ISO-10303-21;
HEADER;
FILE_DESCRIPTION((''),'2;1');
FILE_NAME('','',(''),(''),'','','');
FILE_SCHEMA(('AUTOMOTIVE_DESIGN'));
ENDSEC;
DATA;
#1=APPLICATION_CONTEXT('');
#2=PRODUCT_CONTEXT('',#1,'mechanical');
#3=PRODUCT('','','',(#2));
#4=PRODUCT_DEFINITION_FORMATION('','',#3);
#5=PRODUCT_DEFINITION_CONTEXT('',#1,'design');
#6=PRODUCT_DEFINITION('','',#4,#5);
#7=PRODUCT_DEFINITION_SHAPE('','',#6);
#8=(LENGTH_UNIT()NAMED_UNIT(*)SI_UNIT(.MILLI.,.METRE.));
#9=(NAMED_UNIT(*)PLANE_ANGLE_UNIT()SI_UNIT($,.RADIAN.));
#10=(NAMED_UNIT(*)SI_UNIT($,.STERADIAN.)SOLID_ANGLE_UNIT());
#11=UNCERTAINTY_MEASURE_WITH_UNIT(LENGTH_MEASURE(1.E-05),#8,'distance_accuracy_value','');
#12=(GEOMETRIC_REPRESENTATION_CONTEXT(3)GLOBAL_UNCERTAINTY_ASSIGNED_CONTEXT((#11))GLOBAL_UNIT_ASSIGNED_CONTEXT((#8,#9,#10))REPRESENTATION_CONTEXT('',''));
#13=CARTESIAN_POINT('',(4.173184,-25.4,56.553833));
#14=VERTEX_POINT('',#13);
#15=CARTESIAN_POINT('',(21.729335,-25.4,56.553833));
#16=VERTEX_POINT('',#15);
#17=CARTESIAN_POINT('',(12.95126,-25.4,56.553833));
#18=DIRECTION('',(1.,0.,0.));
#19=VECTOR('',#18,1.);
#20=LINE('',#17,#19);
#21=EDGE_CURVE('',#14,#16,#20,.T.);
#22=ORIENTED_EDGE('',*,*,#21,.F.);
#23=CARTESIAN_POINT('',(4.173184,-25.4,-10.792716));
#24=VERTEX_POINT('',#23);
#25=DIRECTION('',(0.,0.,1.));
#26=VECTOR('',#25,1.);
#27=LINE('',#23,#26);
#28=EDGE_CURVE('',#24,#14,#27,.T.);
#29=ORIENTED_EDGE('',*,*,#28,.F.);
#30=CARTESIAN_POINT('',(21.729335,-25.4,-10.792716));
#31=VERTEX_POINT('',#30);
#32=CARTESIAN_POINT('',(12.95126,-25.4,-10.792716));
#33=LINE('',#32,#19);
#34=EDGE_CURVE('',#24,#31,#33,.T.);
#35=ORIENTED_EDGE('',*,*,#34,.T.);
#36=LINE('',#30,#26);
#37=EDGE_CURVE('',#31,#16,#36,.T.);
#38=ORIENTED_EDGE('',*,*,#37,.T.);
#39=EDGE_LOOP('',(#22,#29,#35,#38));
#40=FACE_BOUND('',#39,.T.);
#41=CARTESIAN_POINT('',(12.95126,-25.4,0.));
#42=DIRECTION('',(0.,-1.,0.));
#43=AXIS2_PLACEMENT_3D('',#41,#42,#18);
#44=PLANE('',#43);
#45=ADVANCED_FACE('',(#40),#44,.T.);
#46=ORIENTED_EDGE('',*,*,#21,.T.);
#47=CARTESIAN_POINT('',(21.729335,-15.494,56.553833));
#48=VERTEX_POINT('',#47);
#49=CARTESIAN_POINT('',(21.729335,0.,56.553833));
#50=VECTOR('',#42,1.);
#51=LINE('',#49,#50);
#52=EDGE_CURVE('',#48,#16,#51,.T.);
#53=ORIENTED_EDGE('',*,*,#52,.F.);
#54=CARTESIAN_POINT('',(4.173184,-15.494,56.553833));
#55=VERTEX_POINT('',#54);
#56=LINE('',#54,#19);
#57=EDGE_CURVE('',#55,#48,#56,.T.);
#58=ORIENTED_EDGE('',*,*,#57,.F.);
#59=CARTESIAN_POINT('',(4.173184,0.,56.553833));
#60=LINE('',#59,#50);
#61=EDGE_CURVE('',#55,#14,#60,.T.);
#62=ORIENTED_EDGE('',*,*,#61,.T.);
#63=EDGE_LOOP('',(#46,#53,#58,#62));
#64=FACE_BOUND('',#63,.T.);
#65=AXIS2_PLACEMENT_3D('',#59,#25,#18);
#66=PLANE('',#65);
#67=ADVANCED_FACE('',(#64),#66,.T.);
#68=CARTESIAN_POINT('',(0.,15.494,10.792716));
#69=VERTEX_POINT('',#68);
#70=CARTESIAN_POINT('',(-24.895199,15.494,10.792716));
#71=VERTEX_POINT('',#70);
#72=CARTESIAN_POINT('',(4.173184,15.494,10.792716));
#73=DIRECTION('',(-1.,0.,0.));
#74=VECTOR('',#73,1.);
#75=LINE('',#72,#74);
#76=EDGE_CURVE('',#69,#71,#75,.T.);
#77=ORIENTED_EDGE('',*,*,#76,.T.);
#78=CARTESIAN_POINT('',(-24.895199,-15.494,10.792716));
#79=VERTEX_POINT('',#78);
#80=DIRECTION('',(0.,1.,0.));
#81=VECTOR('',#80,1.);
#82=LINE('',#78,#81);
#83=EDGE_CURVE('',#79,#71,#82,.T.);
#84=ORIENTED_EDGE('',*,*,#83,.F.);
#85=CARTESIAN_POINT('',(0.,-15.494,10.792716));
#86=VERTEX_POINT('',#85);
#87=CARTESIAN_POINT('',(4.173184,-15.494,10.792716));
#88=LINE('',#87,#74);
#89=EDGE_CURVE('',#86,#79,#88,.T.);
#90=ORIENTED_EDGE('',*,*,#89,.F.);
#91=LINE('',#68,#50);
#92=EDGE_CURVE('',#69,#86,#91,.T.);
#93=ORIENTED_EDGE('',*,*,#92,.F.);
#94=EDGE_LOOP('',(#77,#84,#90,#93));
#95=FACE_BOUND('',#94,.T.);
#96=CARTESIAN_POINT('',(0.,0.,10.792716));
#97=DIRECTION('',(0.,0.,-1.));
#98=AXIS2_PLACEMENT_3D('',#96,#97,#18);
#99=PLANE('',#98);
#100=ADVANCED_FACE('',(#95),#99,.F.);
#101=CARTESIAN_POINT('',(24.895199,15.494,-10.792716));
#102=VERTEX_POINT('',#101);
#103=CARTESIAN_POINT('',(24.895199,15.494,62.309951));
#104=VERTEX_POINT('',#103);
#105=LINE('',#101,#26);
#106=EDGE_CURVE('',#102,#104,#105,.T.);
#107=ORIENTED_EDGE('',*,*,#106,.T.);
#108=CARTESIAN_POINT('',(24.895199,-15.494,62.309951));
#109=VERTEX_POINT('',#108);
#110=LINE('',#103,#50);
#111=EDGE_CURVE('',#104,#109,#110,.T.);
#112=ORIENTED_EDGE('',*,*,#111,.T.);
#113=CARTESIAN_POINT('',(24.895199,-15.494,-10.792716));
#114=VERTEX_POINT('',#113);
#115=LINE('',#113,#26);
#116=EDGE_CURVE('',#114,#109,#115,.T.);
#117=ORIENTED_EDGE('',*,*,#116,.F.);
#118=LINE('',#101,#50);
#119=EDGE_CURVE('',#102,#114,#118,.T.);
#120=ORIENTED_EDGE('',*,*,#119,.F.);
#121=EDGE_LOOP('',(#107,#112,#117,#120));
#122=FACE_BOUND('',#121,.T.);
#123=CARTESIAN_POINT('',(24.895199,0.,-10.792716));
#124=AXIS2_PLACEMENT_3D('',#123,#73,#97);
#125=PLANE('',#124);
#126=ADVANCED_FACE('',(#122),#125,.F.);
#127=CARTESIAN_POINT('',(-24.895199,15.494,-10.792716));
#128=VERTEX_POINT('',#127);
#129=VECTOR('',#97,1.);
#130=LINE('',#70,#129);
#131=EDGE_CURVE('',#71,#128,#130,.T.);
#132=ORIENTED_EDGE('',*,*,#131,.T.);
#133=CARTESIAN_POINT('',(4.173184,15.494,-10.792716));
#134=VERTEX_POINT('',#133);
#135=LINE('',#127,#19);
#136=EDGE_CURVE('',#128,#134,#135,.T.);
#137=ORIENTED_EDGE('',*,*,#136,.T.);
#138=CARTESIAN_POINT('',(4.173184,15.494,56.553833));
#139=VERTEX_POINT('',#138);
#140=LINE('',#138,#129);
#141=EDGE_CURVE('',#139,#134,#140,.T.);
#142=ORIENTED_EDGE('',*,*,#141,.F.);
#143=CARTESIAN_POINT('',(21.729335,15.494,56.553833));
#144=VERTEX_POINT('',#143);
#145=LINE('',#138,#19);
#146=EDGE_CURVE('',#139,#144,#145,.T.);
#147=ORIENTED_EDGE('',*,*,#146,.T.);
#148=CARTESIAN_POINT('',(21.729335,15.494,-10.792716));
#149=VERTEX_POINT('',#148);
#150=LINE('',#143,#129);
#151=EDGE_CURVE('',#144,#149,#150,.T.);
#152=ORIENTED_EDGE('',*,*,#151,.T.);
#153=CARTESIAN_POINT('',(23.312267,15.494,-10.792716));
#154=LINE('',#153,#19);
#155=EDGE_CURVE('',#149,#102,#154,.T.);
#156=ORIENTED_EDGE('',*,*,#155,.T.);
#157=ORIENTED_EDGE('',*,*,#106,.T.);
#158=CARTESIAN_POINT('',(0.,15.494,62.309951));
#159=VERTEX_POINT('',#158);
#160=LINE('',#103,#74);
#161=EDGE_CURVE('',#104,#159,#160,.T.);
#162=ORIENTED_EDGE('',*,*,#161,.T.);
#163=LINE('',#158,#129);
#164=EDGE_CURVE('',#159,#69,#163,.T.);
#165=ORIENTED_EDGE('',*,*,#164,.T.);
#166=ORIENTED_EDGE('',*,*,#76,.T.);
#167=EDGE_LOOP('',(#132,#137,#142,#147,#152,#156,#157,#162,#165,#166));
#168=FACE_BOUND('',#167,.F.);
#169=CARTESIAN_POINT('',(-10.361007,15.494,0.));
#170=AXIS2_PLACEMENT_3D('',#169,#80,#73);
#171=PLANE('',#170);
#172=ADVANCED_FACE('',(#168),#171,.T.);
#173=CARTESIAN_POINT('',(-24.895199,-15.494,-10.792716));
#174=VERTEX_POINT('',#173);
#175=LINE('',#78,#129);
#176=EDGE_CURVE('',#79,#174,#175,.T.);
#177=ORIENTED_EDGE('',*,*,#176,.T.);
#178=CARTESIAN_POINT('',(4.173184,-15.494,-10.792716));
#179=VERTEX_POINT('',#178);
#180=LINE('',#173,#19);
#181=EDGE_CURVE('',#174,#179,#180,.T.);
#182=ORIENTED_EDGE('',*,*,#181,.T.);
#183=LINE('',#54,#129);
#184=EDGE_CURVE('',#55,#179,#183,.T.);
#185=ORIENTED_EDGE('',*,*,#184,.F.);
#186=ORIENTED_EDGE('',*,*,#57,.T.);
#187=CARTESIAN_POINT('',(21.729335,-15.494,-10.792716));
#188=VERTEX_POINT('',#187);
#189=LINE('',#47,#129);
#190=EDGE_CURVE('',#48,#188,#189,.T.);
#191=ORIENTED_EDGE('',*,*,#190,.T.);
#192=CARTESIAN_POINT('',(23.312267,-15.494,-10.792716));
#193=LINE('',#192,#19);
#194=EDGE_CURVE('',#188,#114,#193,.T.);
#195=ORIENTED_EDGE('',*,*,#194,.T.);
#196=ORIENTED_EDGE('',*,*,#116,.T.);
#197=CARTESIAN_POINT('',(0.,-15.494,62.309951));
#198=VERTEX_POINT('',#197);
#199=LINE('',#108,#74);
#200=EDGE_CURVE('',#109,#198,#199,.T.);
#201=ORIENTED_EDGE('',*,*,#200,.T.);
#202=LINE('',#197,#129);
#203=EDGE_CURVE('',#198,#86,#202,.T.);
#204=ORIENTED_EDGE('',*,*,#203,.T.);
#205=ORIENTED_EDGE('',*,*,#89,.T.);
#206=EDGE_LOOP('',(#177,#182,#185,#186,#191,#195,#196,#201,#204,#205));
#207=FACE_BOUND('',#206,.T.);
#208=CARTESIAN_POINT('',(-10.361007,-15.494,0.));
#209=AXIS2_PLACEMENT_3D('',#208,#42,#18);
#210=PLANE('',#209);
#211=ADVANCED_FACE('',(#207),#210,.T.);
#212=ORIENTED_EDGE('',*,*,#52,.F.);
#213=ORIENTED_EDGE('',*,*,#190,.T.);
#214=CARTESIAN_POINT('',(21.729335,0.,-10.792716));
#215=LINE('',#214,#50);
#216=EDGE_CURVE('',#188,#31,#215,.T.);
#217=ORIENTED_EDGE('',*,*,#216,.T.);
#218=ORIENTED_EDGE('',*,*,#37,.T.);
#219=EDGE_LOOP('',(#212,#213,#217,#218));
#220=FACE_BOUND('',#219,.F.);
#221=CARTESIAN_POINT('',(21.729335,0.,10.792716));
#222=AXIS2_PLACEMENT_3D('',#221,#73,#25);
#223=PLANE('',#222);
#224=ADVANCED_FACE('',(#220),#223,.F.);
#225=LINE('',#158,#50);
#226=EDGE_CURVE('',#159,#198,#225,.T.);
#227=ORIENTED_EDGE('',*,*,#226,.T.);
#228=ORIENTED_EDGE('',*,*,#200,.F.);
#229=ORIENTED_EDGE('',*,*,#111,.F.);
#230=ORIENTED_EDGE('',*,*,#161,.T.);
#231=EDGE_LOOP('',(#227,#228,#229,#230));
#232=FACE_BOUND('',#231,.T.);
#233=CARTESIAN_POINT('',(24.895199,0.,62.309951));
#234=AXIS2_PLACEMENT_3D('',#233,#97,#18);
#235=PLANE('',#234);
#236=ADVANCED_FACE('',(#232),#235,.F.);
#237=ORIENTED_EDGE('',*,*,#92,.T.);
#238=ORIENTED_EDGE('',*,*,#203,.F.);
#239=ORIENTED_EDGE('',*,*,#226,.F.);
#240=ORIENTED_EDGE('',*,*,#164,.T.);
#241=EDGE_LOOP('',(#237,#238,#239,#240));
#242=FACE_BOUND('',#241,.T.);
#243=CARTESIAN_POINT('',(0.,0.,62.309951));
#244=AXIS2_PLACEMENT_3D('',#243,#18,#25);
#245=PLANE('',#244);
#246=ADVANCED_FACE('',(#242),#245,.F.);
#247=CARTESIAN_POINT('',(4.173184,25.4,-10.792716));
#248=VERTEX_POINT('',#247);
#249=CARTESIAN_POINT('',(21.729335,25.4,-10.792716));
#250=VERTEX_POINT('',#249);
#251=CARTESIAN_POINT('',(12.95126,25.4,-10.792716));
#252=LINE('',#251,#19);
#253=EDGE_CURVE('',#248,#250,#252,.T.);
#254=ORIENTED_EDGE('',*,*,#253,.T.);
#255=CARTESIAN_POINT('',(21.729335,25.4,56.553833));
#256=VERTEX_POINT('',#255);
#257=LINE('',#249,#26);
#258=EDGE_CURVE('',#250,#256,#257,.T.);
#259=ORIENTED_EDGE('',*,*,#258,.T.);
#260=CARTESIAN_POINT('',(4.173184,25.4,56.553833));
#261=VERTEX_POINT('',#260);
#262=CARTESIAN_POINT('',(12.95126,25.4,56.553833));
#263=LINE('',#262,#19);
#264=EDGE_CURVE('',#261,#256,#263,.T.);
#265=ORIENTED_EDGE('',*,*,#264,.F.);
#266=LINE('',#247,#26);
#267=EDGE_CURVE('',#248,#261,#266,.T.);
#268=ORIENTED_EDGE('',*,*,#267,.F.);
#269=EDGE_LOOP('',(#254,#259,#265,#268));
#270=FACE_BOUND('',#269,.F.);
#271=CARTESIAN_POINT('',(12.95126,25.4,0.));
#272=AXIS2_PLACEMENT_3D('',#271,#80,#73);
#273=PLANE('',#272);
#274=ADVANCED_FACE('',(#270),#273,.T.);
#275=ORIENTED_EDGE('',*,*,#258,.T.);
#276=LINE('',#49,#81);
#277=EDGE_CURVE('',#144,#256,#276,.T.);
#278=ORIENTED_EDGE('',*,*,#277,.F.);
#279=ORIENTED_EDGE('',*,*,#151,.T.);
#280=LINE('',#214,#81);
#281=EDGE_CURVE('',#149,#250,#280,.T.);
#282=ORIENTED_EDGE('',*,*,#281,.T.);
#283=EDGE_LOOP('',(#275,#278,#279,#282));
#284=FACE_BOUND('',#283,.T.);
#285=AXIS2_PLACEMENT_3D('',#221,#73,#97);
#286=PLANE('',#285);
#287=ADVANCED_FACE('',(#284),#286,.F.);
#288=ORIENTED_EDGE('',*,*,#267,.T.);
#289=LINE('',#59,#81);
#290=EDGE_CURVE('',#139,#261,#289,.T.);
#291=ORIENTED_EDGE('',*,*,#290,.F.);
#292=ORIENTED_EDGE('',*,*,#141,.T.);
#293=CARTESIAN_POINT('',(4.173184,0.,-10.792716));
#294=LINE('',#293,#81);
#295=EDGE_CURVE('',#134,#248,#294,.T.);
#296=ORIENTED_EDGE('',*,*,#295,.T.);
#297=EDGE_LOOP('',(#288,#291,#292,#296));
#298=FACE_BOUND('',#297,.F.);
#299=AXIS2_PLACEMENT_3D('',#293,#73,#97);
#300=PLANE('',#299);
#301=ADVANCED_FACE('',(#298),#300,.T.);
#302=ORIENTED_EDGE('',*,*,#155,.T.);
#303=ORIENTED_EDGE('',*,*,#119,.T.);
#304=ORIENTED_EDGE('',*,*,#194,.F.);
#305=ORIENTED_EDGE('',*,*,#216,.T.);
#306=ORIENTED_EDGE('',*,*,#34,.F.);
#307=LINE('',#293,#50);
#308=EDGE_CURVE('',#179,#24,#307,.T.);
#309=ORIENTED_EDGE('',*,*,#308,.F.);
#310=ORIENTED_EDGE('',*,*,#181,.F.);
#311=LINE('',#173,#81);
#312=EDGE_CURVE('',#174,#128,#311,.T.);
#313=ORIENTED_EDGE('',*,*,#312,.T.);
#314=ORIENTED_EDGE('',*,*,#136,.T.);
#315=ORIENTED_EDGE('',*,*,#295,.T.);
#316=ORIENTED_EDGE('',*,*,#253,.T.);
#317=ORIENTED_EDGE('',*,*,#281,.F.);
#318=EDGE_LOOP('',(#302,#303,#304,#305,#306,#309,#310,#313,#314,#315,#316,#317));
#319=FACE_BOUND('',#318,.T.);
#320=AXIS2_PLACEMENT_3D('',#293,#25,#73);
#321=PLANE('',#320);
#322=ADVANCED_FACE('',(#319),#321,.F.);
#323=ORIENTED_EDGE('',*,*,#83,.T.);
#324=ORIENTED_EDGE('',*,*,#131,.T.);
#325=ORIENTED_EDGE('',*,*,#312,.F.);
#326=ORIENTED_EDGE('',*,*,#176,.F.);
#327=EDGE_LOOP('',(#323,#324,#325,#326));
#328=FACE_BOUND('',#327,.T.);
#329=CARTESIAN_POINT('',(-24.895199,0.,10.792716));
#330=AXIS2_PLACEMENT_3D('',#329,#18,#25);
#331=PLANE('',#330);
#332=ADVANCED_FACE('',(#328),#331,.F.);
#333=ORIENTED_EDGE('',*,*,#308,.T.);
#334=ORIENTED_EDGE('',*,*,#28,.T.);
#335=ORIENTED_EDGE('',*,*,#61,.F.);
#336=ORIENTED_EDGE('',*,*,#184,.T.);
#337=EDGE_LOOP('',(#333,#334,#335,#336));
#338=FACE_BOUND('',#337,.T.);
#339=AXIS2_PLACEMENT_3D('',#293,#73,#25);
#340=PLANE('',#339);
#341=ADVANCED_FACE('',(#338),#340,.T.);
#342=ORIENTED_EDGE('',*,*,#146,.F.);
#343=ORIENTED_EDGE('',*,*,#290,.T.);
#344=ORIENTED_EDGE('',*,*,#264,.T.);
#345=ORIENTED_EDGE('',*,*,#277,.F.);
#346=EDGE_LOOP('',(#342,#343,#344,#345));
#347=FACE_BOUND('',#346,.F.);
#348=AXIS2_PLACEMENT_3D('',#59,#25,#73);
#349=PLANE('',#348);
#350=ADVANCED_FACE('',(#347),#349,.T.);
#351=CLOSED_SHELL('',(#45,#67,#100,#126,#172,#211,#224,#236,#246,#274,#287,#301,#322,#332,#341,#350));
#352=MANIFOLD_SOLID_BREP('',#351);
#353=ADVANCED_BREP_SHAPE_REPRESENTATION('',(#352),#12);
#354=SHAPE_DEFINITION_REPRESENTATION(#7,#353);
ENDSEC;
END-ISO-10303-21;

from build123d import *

# Parameters (mm, degrees)
F0_W     = 3.1658634543
F0_H     = 21.5854328126
F1_DEPTH = 15.494
F0_W_2   = 17.5561509095
F0_H_2   = 45.7611167803
F2_DEPTH = 25.4
F3_DEPTH = 25.4


with BuildPart() as f1:
    # F0 (on Front) → F1 (new body)
    with BuildSketch(Plane.XZ):
        Polygon((0, 10.7927164063), (-24.8951986432, 10.7927164063), (-24.8951986432, -10.7927164063), (4.1731842794, -10.7927164063), (4.1731842794, 10.7927164063), align=None)
        with Locations((23.312266916, 0)):
            Rectangle(F0_W, F0_H)
        Polygon((0, 62.3099505901), (0, 10.7927164063), (4.1731842794, 10.7927164063), (4.1731842794, 56.5538331866), (21.7293351889, 56.5538331866), (21.7293351889, 10.7927164063), (24.8951986432, 10.7927164063), (24.8951986432, 62.3099505901), align=None)
    extrude(amount=F1_DEPTH)

    # F0 (on Front) → F2 (join)
    with BuildSketch(Plane.XZ):
        with Locations((12.9512597341, 33.6732747965)):
            Rectangle(F0_W_2, F0_H_2)
    extrude(amount=F2_DEPTH)

    # F0 (on Front) → F3 (join)
    with BuildSketch(Plane.XZ):
        with Locations((12.9512597341, 0)):
            Rectangle(F0_W_2, F0_H)
    extrude(amount=F3_DEPTH)

    # F4: F1 across plane


with BuildPart() as f1_1:
    add(f1.part)
    add(f1.part.mirror(Plane.XZ))


solid = f1_1.part
